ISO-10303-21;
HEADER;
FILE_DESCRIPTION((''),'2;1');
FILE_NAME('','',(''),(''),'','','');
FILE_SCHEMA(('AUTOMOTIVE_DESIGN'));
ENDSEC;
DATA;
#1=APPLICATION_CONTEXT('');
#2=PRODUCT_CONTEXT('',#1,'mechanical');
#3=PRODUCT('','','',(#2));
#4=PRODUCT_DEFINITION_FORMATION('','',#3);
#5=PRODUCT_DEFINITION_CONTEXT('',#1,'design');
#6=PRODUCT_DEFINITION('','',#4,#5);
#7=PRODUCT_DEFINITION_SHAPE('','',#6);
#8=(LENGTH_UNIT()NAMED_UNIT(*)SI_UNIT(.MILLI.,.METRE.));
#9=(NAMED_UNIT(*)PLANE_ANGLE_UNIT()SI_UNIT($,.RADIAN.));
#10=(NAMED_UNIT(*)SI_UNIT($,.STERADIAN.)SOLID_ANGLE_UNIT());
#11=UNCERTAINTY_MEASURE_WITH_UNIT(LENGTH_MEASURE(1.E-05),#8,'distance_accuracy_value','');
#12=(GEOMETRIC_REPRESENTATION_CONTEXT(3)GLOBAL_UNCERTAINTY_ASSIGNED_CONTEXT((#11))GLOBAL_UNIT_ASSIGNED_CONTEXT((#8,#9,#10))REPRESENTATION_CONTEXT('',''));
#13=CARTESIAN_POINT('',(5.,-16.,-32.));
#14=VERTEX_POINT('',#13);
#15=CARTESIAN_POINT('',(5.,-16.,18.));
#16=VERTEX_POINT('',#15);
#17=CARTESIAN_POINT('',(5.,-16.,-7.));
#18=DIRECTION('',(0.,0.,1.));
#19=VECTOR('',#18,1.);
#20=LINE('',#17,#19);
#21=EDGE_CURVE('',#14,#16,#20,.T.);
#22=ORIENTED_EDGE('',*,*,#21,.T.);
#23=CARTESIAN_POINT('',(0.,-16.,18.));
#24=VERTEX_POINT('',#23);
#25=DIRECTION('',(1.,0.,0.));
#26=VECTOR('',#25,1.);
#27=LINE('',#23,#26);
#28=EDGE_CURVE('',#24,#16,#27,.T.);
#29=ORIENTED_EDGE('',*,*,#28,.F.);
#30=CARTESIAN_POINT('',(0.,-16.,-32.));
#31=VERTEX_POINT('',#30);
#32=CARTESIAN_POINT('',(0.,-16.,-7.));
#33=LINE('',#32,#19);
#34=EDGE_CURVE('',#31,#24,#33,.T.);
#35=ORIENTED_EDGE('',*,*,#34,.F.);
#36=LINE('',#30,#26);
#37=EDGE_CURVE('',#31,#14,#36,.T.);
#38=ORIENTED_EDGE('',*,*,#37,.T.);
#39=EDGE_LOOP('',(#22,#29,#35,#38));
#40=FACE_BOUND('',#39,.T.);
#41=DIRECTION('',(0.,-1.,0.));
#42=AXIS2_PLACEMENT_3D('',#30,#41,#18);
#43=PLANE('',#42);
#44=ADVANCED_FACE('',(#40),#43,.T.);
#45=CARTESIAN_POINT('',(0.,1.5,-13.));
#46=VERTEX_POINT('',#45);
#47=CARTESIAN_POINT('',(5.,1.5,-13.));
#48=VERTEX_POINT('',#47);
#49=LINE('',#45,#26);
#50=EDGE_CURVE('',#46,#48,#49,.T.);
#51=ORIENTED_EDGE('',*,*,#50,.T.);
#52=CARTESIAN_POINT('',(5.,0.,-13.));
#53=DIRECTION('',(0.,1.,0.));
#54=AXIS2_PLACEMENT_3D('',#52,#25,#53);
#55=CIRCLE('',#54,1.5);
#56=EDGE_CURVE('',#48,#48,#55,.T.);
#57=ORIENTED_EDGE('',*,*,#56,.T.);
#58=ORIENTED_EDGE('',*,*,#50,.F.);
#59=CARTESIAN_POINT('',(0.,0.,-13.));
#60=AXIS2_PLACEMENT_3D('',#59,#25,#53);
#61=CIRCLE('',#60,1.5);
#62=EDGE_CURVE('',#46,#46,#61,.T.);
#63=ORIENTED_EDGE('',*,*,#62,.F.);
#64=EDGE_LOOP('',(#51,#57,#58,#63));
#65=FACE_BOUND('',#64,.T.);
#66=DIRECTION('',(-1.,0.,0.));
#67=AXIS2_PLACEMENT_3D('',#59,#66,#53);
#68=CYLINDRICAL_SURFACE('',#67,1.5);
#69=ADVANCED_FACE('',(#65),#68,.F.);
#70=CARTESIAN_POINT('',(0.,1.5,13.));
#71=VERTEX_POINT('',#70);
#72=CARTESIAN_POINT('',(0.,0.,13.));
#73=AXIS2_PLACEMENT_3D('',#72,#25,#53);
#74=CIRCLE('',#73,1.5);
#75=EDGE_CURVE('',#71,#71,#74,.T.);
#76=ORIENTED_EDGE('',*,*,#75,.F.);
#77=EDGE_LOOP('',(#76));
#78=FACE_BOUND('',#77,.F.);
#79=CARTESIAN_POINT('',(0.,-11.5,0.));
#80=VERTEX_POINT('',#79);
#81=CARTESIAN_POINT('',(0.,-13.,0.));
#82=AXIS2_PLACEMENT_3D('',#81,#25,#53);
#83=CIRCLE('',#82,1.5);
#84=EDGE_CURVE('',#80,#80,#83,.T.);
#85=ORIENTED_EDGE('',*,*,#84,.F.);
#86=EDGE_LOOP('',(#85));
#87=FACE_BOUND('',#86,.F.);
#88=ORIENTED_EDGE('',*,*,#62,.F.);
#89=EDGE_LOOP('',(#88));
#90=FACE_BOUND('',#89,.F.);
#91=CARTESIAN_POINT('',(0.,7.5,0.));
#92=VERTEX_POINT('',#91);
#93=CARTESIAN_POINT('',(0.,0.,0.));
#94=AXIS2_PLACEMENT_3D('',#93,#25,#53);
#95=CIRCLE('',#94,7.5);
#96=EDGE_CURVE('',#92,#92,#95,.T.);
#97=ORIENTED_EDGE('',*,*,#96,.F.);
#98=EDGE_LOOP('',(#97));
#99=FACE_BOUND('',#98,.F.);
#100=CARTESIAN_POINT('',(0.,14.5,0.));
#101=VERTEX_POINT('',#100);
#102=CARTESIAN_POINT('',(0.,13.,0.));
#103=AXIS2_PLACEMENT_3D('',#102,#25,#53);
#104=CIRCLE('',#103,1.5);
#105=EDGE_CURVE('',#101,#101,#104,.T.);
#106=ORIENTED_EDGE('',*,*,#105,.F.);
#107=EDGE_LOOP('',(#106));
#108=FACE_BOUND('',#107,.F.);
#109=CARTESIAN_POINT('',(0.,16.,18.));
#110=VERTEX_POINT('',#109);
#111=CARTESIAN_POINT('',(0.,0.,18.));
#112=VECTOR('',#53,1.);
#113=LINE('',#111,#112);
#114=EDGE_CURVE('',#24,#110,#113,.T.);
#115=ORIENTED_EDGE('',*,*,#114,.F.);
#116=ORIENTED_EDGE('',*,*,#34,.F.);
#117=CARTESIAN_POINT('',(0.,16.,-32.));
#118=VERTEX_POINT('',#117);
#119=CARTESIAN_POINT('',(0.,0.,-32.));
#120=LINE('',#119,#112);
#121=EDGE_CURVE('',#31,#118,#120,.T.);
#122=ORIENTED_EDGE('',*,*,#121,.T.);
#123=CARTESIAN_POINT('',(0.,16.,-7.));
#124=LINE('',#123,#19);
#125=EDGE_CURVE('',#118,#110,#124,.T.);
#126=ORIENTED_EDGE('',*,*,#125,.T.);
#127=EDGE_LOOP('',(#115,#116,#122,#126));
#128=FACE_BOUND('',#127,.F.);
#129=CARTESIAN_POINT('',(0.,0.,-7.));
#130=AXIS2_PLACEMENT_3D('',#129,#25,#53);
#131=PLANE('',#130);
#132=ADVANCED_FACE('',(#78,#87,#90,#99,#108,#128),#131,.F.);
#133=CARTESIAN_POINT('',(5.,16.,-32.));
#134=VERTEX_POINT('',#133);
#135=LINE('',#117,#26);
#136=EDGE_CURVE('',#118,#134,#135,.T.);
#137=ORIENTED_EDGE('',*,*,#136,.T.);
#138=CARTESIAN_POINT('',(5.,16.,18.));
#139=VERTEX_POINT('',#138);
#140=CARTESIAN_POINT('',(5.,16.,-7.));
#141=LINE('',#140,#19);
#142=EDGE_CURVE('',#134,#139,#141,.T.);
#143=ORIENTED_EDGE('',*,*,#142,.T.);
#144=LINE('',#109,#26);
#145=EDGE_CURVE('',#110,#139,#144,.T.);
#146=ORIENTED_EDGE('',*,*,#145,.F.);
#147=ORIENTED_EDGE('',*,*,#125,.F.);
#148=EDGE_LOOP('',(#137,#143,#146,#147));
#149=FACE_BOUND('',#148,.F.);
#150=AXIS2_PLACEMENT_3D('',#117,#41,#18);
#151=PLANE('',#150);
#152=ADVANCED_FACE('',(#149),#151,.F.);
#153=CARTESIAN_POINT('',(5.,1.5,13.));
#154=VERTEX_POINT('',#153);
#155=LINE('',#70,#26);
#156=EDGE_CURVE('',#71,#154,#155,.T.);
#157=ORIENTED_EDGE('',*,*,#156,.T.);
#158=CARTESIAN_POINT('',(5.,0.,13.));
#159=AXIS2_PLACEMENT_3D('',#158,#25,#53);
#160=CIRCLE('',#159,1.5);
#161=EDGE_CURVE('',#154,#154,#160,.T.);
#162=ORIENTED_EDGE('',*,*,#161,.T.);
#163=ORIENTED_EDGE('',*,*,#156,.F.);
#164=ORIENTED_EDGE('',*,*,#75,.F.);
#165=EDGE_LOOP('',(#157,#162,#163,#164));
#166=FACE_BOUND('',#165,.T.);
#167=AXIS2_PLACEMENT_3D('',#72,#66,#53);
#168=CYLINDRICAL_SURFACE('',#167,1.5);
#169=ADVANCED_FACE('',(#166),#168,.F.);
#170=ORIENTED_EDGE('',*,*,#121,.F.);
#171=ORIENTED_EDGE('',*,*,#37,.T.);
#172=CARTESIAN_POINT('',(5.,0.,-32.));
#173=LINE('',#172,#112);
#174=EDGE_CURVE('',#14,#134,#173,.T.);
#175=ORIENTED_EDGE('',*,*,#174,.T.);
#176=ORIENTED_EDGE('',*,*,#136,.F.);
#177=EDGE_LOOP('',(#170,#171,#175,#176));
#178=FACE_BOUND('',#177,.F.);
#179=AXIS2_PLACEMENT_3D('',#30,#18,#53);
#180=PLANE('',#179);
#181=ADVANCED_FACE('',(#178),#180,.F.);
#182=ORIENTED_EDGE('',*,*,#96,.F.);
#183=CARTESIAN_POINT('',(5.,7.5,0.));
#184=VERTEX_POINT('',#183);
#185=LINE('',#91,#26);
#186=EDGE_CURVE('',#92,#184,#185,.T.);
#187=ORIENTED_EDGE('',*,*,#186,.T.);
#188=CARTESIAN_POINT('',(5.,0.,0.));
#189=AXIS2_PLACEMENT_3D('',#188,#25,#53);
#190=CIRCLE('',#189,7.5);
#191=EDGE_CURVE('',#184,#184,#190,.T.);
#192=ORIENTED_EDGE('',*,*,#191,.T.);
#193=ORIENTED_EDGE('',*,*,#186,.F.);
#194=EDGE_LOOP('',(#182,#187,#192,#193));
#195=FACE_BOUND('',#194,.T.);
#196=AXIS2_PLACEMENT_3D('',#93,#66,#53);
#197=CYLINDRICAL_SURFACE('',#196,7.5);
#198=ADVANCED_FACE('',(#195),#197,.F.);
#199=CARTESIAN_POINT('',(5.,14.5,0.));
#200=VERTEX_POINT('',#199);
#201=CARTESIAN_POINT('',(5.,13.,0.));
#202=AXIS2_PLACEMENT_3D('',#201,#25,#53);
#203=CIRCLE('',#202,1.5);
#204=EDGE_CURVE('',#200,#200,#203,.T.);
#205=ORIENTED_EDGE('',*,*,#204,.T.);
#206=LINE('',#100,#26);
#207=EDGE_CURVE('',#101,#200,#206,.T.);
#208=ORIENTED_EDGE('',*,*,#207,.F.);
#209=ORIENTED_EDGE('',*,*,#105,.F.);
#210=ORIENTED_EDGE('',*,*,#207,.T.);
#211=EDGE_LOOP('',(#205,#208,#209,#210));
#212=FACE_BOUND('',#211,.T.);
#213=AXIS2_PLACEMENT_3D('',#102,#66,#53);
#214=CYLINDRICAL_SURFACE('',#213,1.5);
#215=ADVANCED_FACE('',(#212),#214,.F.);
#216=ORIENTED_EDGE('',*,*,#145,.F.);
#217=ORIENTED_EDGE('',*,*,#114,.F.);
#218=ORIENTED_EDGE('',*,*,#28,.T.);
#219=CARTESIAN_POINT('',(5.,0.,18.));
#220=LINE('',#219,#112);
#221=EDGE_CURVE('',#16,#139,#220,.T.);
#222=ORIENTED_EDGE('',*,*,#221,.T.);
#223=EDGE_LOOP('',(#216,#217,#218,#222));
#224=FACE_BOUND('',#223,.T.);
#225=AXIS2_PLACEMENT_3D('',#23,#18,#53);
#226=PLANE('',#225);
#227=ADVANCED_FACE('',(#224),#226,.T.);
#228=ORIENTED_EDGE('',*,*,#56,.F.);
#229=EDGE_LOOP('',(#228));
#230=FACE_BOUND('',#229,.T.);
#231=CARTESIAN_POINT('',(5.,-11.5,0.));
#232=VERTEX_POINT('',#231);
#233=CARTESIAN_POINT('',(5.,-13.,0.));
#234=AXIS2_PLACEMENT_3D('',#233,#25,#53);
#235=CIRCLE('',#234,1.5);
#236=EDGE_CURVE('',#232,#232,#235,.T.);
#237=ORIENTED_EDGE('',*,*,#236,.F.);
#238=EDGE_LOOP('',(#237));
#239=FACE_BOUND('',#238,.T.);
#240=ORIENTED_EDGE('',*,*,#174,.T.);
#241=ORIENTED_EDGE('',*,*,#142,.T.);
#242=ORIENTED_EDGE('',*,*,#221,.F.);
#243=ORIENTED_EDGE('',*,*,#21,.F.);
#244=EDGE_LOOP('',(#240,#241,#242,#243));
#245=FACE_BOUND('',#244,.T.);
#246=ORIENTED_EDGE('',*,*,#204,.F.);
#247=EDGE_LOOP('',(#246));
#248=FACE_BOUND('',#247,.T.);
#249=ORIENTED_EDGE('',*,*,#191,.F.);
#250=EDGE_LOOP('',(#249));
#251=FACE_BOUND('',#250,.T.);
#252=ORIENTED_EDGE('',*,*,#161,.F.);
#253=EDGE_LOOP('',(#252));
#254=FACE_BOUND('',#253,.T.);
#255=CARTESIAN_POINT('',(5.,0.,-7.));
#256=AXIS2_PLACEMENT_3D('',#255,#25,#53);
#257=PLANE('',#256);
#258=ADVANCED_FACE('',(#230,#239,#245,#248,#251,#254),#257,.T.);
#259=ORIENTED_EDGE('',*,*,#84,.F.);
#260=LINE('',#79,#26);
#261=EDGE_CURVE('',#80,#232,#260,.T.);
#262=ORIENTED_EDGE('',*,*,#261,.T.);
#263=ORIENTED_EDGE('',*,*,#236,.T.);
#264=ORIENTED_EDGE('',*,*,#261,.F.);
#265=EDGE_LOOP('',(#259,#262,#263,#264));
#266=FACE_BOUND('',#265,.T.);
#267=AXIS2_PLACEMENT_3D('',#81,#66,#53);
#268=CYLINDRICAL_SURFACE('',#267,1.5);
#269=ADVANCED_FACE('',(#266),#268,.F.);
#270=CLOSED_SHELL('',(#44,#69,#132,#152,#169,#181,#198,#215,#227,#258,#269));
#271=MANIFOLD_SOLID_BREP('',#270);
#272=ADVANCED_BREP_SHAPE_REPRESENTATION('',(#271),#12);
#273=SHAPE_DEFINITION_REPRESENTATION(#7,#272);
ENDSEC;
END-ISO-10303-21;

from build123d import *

# Parameters (mm, degrees)
F0_W     = 32
F0_H     = 50
F0_R     = 1.5
F0_R_2   = 7.5
F1_DEPTH = 5


with BuildPart() as f1:
    # F0 (on Right) → F1 (new body)
    with BuildSketch(Plane.YZ):
        with Locations((0, -7)):
            Rectangle(F0_W, F0_H)
        with Locations((0, -13)):
            Circle(F0_R, mode=Mode.SUBTRACT)
        with Locations((-13, 0)):
            Circle(F0_R, mode=Mode.SUBTRACT)
        Circle(F0_R_2, mode=Mode.SUBTRACT)
        with Locations((13, 0)):
            Circle(F0_R, mode=Mode.SUBTRACT)
        with Locations((0, 13)):
            Circle(F0_R, mode=Mode.SUBTRACT)
    extrude(amount=F1_DEPTH)


solid = f1.part
